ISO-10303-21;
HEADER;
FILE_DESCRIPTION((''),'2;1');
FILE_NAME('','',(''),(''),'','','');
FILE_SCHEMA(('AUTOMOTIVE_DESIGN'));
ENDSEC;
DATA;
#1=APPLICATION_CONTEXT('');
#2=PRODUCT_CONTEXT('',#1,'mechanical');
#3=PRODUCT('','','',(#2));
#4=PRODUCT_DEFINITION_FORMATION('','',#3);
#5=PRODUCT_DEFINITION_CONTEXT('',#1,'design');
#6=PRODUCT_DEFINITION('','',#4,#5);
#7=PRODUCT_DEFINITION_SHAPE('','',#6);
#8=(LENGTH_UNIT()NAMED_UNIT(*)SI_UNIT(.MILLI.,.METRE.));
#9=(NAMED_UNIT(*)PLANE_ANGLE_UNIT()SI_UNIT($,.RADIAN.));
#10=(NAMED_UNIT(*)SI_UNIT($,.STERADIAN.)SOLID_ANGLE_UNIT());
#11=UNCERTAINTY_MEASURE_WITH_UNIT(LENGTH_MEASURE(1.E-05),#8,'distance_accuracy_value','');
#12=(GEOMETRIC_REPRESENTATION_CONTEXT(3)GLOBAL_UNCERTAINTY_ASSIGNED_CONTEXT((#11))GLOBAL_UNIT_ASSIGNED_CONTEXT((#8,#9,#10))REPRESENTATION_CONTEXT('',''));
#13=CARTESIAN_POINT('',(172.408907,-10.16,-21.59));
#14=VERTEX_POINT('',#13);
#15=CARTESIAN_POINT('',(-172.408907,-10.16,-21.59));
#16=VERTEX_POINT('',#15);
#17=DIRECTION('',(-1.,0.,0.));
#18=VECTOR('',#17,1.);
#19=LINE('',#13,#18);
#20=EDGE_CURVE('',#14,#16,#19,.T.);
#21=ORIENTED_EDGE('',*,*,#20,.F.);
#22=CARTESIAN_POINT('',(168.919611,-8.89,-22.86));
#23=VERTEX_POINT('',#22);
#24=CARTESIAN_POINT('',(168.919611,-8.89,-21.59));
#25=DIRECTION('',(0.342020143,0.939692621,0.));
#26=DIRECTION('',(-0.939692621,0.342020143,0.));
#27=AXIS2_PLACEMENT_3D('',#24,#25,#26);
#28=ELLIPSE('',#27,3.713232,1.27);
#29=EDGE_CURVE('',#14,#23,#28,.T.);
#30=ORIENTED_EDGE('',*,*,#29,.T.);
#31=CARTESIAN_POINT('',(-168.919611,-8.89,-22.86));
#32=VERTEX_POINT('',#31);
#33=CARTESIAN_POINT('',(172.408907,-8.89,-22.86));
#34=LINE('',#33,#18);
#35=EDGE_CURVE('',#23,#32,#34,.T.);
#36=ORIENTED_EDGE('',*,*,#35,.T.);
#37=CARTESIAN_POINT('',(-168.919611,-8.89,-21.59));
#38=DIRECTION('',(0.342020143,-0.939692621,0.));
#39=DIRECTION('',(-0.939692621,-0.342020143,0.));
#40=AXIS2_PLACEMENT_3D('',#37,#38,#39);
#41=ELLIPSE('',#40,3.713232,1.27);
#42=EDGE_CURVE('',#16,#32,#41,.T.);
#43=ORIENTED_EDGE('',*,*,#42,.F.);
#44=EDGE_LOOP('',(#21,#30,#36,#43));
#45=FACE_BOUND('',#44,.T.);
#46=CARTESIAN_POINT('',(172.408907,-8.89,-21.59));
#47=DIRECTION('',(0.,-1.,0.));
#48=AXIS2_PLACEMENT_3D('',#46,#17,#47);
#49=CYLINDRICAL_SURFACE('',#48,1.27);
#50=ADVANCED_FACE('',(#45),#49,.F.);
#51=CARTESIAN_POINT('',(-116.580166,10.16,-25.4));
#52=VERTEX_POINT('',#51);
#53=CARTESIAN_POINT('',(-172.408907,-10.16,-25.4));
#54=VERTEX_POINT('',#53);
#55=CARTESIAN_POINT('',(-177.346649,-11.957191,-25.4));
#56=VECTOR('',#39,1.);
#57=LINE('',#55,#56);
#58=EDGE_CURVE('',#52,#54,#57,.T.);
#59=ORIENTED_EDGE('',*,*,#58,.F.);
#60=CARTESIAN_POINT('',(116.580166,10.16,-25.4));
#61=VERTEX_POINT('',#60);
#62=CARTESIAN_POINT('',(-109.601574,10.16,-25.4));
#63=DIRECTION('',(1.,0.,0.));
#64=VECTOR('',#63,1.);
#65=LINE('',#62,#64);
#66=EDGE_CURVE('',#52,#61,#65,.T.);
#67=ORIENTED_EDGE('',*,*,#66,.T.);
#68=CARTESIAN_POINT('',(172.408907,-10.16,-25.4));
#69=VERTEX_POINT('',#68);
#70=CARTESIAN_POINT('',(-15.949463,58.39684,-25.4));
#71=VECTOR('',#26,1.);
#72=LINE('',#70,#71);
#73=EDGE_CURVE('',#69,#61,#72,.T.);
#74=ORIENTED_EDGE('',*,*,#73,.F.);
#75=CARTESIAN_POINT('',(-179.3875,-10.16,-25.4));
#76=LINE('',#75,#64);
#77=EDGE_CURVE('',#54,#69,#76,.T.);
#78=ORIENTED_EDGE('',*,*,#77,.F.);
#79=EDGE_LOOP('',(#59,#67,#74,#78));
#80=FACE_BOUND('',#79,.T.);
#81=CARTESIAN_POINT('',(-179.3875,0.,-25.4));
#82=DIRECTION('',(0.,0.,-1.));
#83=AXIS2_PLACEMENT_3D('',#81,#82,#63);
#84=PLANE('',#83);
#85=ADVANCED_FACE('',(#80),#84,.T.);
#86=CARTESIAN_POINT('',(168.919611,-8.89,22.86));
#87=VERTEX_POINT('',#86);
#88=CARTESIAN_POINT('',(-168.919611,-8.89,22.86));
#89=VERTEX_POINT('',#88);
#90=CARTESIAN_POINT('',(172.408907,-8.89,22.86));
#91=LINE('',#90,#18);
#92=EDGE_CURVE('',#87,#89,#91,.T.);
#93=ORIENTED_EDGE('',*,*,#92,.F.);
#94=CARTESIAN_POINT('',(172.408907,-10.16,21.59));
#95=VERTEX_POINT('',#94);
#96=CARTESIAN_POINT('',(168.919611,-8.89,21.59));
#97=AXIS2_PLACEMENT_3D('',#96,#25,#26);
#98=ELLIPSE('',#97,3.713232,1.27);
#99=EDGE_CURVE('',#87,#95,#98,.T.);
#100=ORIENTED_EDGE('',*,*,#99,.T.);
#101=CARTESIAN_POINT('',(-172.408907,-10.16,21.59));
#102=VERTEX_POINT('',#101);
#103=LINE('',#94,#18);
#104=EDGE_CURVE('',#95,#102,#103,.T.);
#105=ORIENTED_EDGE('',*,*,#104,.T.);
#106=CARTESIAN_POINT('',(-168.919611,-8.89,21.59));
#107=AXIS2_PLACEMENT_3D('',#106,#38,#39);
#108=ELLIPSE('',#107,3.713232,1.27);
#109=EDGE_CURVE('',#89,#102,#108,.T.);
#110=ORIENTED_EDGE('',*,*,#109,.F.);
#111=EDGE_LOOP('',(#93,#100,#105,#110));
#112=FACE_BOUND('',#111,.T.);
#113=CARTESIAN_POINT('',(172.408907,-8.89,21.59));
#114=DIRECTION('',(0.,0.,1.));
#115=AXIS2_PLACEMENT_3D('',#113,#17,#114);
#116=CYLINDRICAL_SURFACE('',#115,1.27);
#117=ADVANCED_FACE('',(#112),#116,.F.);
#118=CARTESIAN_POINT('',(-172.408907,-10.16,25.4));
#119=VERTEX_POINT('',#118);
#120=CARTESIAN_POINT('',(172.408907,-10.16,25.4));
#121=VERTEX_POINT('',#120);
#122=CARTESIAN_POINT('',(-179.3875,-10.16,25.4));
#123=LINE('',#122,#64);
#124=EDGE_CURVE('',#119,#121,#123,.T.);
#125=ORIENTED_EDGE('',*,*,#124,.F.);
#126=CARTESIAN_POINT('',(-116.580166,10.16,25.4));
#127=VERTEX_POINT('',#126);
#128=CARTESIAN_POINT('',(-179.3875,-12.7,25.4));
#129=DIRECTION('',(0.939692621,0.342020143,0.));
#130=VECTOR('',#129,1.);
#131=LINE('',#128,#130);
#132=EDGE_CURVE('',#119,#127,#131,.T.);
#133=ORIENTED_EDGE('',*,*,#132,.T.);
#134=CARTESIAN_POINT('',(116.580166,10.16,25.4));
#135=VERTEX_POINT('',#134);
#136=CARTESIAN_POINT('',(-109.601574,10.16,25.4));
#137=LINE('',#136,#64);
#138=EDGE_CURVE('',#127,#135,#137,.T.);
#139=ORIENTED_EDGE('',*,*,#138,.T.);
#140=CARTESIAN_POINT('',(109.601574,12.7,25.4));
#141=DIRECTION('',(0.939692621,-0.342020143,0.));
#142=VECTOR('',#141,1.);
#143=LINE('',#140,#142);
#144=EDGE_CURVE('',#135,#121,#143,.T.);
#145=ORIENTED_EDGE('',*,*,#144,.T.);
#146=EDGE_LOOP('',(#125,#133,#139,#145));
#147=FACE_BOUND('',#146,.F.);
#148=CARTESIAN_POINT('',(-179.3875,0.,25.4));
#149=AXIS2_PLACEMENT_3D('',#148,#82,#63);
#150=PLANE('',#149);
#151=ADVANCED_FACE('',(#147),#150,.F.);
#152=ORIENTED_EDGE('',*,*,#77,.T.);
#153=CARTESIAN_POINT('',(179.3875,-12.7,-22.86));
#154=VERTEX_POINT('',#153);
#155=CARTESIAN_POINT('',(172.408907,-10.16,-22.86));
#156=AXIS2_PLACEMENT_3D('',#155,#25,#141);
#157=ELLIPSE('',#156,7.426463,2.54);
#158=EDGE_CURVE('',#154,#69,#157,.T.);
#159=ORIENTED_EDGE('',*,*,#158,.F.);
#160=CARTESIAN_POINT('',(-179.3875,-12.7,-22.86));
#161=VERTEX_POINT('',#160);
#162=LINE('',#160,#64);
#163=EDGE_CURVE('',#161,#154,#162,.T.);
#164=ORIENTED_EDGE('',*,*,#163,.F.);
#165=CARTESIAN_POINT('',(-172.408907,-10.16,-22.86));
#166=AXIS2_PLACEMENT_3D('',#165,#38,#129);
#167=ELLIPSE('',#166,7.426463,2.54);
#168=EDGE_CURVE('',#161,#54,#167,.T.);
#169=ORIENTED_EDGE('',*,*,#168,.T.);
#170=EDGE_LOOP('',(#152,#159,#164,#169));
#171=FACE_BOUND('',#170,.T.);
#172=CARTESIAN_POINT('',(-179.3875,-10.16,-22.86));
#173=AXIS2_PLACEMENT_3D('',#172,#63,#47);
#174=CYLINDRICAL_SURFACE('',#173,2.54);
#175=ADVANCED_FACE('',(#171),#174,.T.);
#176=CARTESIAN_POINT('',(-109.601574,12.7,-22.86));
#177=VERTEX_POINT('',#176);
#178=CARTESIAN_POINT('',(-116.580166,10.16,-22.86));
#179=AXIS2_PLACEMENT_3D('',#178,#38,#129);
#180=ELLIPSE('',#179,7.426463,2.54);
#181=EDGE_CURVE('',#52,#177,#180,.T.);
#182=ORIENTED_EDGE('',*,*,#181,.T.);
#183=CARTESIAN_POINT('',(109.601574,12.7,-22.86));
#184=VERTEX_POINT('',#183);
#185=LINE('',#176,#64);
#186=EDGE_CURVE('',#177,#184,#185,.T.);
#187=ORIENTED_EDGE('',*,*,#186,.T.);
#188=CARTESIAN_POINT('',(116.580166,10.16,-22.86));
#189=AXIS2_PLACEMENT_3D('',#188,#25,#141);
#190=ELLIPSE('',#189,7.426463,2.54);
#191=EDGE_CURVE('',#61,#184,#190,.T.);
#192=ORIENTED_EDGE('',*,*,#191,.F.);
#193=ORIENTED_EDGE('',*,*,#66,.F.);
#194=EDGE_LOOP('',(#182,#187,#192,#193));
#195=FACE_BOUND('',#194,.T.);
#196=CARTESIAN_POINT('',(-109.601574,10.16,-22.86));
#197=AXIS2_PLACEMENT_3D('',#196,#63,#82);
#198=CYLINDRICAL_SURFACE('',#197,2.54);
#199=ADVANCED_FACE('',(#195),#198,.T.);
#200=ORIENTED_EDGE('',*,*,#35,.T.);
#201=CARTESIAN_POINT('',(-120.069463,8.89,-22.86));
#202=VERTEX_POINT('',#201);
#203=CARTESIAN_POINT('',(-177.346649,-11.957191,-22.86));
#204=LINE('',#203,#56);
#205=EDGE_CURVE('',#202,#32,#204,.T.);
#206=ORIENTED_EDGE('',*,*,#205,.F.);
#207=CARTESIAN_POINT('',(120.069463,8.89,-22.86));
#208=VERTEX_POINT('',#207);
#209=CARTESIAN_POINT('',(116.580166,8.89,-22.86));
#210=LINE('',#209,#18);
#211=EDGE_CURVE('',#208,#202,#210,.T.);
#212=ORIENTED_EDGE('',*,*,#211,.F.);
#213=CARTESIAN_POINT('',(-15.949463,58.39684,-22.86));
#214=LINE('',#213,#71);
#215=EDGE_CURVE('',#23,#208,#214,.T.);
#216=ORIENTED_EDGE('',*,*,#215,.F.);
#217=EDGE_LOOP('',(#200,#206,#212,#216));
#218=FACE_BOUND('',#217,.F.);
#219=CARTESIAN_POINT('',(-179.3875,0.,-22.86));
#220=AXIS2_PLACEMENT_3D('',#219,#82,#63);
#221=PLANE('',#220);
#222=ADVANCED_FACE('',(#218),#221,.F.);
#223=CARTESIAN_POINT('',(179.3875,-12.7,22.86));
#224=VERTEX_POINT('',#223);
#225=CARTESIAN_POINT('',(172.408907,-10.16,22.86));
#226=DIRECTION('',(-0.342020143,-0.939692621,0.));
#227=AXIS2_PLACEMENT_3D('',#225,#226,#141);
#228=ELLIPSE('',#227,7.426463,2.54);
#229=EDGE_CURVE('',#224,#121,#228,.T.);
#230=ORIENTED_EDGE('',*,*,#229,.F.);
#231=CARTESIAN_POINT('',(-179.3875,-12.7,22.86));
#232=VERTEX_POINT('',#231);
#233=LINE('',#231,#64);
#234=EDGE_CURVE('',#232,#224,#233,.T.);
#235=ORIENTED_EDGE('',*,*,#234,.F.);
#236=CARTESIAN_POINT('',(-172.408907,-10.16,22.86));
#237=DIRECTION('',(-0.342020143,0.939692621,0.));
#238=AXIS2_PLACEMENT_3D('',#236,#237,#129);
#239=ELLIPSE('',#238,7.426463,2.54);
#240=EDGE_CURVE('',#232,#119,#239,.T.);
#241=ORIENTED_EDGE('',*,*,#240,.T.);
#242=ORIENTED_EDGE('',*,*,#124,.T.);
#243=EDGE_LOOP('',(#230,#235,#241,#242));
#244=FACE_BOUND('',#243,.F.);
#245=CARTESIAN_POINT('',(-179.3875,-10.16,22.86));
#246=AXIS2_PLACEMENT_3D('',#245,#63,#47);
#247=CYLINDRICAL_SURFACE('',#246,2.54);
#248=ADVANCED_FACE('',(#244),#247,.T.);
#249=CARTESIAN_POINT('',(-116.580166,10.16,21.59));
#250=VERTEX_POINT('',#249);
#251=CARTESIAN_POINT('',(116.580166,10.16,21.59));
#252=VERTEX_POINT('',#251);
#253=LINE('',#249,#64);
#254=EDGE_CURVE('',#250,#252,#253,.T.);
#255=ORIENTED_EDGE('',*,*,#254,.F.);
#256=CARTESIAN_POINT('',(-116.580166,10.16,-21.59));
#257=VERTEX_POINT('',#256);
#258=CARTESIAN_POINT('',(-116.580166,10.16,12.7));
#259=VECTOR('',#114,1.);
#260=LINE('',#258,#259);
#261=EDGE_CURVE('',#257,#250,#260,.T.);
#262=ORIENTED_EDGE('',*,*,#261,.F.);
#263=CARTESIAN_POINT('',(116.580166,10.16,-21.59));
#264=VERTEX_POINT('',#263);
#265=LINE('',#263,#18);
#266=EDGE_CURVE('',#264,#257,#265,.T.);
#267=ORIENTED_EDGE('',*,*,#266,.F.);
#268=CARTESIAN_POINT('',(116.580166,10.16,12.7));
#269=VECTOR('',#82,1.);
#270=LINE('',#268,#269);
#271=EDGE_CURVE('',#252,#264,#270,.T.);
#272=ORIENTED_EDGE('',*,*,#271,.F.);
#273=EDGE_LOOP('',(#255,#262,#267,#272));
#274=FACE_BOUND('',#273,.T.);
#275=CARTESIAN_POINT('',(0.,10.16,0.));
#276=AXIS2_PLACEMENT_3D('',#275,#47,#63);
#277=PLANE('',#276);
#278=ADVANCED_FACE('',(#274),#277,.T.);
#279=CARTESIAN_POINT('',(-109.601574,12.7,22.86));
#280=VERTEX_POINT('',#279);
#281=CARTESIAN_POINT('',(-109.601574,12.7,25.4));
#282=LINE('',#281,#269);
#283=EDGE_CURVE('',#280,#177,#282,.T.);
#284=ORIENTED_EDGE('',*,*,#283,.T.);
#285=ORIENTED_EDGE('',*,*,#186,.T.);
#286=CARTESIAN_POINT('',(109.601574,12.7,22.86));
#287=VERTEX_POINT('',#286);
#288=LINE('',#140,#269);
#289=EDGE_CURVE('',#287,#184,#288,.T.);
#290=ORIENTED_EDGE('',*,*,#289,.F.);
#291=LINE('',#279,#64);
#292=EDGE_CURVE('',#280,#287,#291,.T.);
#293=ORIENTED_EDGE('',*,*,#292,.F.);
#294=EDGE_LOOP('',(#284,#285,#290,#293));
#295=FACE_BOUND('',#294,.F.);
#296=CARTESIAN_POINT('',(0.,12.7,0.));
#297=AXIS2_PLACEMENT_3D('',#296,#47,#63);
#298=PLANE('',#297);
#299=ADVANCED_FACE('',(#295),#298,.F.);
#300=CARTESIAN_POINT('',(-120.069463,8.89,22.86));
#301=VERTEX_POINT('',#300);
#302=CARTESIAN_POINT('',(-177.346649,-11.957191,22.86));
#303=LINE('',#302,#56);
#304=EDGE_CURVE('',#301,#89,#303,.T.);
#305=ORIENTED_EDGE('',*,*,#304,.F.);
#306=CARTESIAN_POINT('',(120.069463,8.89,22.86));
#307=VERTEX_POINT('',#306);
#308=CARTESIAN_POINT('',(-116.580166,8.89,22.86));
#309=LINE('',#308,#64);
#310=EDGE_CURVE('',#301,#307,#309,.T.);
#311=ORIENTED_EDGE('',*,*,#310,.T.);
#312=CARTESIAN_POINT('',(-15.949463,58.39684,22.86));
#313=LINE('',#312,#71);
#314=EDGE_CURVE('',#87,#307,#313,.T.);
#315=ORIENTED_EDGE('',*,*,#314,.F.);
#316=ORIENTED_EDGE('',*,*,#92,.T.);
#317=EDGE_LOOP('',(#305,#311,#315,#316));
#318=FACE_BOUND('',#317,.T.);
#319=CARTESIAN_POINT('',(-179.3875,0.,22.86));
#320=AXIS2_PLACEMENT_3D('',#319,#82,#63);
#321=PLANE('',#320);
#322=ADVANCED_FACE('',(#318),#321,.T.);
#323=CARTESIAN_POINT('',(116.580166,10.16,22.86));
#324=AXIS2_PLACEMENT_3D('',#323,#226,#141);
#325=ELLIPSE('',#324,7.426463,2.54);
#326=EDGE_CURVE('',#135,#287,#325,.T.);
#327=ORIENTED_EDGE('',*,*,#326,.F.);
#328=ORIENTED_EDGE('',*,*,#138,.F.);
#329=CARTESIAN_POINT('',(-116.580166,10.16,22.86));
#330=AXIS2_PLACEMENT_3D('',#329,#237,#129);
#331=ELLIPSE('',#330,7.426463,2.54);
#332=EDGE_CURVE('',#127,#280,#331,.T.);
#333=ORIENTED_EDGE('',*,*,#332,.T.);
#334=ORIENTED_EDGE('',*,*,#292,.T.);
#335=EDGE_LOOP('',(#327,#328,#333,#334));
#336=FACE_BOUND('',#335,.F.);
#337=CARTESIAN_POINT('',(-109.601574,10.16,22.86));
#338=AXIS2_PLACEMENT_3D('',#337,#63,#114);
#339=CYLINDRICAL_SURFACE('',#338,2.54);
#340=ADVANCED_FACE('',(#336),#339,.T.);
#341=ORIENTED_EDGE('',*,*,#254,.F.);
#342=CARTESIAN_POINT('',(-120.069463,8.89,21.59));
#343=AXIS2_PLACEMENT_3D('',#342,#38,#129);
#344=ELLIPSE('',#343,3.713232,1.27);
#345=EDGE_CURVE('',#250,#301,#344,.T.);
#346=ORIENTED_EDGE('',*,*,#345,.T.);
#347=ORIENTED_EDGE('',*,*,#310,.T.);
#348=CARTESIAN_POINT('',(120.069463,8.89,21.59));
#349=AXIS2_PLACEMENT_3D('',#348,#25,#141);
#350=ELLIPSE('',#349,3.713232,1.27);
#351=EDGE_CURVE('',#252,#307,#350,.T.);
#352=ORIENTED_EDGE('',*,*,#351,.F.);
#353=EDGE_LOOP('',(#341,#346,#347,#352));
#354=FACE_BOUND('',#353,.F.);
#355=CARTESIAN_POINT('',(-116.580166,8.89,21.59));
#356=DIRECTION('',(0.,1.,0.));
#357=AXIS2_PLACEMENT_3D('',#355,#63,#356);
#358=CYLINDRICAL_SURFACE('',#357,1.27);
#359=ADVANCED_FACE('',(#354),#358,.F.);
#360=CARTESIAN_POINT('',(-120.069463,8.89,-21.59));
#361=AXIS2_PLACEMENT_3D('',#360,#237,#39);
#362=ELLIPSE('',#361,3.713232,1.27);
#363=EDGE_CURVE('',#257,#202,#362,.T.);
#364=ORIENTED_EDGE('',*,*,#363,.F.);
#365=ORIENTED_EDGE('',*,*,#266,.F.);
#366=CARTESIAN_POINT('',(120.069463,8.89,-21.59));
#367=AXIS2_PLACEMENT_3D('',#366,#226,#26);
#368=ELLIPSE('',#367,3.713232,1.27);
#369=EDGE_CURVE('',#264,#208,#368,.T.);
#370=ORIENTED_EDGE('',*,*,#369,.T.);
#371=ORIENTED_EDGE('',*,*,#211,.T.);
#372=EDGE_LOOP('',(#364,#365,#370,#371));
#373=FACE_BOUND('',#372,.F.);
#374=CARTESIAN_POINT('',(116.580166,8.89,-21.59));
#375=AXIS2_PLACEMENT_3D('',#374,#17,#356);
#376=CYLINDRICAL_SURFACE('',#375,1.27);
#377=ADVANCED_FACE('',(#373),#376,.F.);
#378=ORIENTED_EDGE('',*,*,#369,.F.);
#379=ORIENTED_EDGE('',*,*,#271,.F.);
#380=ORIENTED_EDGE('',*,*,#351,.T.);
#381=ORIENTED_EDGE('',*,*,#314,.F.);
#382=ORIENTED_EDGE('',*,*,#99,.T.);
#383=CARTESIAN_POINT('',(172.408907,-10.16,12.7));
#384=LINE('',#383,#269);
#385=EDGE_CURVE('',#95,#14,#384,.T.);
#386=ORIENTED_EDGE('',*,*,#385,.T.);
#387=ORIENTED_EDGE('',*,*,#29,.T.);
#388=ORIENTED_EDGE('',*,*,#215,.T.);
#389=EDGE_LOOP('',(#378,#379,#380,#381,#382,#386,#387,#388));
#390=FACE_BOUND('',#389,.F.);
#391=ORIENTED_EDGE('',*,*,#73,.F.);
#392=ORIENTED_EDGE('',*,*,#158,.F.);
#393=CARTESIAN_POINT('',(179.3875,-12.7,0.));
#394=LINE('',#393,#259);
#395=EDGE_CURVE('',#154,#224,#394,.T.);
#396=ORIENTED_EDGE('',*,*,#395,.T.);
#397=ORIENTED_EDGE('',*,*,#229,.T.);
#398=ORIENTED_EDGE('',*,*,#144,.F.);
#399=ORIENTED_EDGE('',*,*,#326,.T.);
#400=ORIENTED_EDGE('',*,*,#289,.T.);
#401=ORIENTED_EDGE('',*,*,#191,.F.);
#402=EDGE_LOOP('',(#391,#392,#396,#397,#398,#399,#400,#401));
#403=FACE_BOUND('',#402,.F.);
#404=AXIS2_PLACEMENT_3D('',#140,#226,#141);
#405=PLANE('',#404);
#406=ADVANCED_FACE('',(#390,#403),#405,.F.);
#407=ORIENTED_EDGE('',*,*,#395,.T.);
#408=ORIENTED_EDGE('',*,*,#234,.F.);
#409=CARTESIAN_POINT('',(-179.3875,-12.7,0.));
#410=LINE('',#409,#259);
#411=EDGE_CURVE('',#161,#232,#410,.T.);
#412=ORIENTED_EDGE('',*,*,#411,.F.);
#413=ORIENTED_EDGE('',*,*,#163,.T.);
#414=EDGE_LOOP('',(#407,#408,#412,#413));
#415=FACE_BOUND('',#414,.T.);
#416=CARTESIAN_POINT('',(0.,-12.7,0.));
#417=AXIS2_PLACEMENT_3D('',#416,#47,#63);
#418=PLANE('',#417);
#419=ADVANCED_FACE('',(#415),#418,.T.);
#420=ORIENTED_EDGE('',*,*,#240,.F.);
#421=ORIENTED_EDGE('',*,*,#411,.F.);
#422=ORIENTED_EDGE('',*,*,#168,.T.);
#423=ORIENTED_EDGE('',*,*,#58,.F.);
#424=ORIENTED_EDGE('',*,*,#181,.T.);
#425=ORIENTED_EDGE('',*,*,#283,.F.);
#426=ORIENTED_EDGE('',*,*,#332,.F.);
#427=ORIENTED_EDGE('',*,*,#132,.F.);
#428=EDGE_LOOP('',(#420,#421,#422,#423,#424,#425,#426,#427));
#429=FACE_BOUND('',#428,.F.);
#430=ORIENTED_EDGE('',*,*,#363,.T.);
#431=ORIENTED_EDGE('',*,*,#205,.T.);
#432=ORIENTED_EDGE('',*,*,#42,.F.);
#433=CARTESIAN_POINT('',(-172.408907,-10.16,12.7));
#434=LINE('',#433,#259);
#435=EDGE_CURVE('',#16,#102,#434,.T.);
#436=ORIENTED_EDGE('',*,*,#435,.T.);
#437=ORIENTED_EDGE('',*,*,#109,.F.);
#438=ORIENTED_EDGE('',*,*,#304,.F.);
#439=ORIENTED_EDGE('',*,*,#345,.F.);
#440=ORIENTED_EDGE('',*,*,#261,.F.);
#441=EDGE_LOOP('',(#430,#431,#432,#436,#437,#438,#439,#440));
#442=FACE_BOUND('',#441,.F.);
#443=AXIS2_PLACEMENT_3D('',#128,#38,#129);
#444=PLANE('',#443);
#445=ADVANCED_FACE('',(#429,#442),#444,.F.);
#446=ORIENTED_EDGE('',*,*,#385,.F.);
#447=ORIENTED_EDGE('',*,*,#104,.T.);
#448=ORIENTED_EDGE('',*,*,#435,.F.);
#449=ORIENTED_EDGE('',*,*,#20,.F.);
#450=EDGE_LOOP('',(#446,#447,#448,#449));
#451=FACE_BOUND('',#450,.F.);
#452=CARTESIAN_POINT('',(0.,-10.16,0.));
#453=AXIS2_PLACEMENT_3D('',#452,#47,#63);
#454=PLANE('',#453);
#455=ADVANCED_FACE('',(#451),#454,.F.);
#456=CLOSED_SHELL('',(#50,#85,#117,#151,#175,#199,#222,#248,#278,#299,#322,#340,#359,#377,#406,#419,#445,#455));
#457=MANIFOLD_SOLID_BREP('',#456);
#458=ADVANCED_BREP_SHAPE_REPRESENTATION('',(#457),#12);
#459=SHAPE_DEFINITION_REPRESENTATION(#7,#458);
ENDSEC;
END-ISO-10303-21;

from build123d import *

# Parameters (mm, degrees)
F0_W     = 358.775
F0_H     = 50.8
F1_DEPTH = 12.7
F2_T     = -2.54
F4_DEPTH = 50.801
F5_R     = 2.54
F6_R     = 1.27


with BuildPart() as f1:
    # F0 (on Front) → F1 (new body, symmetric)
    with BuildSketch(Plane.XZ):
        Rectangle(F0_W, F0_H)
    extrude(amount=F1_DEPTH, both=True)

    # F2
    f2_openings = [f1.faces().sort_by_distance(p)[0] for p in [
        (-179.3875, 0, 0),
        (179.3875, 0, 0),
    ]]
    offset(amount=F2_T, openings=f2_openings)

    # F3 (on face) → F4 (cut, through all)
    with BuildSketch(Plane.XY.offset(25.4)):
        Polygon((-179.3875, 12.7), (-179.3875, -12.7), (-109.6015735459, 12.7), align=None)
        Polygon((109.6015735459, 12.7), (179.3875, -12.7), (179.3875, 12.7), align=None)
    extrude(amount=-F4_DEPTH, mode=Mode.SUBTRACT)

    # F5
    f5_edges = [f1.edges().sort_by_distance(p)[0] for p in [
        (0, -12.7, 25.4),
        (0, 12.7, 25.4),
        (0, 12.7, -25.4),
        (0, -12.7, -25.4),
    ]]
    fillet(f5_edges, radius=F5_R)

    # F6
    f6_edges = [f1.edges().sort_by_distance(p)[0] for p in [
        (0, -10.16, -22.86),
        (0, -10.16, 22.86),
        (0, 10.16, 22.86),
        (0, 10.16, -22.86),
    ]]
    fillet(f6_edges, radius=F6_R)


solid = f1.part
